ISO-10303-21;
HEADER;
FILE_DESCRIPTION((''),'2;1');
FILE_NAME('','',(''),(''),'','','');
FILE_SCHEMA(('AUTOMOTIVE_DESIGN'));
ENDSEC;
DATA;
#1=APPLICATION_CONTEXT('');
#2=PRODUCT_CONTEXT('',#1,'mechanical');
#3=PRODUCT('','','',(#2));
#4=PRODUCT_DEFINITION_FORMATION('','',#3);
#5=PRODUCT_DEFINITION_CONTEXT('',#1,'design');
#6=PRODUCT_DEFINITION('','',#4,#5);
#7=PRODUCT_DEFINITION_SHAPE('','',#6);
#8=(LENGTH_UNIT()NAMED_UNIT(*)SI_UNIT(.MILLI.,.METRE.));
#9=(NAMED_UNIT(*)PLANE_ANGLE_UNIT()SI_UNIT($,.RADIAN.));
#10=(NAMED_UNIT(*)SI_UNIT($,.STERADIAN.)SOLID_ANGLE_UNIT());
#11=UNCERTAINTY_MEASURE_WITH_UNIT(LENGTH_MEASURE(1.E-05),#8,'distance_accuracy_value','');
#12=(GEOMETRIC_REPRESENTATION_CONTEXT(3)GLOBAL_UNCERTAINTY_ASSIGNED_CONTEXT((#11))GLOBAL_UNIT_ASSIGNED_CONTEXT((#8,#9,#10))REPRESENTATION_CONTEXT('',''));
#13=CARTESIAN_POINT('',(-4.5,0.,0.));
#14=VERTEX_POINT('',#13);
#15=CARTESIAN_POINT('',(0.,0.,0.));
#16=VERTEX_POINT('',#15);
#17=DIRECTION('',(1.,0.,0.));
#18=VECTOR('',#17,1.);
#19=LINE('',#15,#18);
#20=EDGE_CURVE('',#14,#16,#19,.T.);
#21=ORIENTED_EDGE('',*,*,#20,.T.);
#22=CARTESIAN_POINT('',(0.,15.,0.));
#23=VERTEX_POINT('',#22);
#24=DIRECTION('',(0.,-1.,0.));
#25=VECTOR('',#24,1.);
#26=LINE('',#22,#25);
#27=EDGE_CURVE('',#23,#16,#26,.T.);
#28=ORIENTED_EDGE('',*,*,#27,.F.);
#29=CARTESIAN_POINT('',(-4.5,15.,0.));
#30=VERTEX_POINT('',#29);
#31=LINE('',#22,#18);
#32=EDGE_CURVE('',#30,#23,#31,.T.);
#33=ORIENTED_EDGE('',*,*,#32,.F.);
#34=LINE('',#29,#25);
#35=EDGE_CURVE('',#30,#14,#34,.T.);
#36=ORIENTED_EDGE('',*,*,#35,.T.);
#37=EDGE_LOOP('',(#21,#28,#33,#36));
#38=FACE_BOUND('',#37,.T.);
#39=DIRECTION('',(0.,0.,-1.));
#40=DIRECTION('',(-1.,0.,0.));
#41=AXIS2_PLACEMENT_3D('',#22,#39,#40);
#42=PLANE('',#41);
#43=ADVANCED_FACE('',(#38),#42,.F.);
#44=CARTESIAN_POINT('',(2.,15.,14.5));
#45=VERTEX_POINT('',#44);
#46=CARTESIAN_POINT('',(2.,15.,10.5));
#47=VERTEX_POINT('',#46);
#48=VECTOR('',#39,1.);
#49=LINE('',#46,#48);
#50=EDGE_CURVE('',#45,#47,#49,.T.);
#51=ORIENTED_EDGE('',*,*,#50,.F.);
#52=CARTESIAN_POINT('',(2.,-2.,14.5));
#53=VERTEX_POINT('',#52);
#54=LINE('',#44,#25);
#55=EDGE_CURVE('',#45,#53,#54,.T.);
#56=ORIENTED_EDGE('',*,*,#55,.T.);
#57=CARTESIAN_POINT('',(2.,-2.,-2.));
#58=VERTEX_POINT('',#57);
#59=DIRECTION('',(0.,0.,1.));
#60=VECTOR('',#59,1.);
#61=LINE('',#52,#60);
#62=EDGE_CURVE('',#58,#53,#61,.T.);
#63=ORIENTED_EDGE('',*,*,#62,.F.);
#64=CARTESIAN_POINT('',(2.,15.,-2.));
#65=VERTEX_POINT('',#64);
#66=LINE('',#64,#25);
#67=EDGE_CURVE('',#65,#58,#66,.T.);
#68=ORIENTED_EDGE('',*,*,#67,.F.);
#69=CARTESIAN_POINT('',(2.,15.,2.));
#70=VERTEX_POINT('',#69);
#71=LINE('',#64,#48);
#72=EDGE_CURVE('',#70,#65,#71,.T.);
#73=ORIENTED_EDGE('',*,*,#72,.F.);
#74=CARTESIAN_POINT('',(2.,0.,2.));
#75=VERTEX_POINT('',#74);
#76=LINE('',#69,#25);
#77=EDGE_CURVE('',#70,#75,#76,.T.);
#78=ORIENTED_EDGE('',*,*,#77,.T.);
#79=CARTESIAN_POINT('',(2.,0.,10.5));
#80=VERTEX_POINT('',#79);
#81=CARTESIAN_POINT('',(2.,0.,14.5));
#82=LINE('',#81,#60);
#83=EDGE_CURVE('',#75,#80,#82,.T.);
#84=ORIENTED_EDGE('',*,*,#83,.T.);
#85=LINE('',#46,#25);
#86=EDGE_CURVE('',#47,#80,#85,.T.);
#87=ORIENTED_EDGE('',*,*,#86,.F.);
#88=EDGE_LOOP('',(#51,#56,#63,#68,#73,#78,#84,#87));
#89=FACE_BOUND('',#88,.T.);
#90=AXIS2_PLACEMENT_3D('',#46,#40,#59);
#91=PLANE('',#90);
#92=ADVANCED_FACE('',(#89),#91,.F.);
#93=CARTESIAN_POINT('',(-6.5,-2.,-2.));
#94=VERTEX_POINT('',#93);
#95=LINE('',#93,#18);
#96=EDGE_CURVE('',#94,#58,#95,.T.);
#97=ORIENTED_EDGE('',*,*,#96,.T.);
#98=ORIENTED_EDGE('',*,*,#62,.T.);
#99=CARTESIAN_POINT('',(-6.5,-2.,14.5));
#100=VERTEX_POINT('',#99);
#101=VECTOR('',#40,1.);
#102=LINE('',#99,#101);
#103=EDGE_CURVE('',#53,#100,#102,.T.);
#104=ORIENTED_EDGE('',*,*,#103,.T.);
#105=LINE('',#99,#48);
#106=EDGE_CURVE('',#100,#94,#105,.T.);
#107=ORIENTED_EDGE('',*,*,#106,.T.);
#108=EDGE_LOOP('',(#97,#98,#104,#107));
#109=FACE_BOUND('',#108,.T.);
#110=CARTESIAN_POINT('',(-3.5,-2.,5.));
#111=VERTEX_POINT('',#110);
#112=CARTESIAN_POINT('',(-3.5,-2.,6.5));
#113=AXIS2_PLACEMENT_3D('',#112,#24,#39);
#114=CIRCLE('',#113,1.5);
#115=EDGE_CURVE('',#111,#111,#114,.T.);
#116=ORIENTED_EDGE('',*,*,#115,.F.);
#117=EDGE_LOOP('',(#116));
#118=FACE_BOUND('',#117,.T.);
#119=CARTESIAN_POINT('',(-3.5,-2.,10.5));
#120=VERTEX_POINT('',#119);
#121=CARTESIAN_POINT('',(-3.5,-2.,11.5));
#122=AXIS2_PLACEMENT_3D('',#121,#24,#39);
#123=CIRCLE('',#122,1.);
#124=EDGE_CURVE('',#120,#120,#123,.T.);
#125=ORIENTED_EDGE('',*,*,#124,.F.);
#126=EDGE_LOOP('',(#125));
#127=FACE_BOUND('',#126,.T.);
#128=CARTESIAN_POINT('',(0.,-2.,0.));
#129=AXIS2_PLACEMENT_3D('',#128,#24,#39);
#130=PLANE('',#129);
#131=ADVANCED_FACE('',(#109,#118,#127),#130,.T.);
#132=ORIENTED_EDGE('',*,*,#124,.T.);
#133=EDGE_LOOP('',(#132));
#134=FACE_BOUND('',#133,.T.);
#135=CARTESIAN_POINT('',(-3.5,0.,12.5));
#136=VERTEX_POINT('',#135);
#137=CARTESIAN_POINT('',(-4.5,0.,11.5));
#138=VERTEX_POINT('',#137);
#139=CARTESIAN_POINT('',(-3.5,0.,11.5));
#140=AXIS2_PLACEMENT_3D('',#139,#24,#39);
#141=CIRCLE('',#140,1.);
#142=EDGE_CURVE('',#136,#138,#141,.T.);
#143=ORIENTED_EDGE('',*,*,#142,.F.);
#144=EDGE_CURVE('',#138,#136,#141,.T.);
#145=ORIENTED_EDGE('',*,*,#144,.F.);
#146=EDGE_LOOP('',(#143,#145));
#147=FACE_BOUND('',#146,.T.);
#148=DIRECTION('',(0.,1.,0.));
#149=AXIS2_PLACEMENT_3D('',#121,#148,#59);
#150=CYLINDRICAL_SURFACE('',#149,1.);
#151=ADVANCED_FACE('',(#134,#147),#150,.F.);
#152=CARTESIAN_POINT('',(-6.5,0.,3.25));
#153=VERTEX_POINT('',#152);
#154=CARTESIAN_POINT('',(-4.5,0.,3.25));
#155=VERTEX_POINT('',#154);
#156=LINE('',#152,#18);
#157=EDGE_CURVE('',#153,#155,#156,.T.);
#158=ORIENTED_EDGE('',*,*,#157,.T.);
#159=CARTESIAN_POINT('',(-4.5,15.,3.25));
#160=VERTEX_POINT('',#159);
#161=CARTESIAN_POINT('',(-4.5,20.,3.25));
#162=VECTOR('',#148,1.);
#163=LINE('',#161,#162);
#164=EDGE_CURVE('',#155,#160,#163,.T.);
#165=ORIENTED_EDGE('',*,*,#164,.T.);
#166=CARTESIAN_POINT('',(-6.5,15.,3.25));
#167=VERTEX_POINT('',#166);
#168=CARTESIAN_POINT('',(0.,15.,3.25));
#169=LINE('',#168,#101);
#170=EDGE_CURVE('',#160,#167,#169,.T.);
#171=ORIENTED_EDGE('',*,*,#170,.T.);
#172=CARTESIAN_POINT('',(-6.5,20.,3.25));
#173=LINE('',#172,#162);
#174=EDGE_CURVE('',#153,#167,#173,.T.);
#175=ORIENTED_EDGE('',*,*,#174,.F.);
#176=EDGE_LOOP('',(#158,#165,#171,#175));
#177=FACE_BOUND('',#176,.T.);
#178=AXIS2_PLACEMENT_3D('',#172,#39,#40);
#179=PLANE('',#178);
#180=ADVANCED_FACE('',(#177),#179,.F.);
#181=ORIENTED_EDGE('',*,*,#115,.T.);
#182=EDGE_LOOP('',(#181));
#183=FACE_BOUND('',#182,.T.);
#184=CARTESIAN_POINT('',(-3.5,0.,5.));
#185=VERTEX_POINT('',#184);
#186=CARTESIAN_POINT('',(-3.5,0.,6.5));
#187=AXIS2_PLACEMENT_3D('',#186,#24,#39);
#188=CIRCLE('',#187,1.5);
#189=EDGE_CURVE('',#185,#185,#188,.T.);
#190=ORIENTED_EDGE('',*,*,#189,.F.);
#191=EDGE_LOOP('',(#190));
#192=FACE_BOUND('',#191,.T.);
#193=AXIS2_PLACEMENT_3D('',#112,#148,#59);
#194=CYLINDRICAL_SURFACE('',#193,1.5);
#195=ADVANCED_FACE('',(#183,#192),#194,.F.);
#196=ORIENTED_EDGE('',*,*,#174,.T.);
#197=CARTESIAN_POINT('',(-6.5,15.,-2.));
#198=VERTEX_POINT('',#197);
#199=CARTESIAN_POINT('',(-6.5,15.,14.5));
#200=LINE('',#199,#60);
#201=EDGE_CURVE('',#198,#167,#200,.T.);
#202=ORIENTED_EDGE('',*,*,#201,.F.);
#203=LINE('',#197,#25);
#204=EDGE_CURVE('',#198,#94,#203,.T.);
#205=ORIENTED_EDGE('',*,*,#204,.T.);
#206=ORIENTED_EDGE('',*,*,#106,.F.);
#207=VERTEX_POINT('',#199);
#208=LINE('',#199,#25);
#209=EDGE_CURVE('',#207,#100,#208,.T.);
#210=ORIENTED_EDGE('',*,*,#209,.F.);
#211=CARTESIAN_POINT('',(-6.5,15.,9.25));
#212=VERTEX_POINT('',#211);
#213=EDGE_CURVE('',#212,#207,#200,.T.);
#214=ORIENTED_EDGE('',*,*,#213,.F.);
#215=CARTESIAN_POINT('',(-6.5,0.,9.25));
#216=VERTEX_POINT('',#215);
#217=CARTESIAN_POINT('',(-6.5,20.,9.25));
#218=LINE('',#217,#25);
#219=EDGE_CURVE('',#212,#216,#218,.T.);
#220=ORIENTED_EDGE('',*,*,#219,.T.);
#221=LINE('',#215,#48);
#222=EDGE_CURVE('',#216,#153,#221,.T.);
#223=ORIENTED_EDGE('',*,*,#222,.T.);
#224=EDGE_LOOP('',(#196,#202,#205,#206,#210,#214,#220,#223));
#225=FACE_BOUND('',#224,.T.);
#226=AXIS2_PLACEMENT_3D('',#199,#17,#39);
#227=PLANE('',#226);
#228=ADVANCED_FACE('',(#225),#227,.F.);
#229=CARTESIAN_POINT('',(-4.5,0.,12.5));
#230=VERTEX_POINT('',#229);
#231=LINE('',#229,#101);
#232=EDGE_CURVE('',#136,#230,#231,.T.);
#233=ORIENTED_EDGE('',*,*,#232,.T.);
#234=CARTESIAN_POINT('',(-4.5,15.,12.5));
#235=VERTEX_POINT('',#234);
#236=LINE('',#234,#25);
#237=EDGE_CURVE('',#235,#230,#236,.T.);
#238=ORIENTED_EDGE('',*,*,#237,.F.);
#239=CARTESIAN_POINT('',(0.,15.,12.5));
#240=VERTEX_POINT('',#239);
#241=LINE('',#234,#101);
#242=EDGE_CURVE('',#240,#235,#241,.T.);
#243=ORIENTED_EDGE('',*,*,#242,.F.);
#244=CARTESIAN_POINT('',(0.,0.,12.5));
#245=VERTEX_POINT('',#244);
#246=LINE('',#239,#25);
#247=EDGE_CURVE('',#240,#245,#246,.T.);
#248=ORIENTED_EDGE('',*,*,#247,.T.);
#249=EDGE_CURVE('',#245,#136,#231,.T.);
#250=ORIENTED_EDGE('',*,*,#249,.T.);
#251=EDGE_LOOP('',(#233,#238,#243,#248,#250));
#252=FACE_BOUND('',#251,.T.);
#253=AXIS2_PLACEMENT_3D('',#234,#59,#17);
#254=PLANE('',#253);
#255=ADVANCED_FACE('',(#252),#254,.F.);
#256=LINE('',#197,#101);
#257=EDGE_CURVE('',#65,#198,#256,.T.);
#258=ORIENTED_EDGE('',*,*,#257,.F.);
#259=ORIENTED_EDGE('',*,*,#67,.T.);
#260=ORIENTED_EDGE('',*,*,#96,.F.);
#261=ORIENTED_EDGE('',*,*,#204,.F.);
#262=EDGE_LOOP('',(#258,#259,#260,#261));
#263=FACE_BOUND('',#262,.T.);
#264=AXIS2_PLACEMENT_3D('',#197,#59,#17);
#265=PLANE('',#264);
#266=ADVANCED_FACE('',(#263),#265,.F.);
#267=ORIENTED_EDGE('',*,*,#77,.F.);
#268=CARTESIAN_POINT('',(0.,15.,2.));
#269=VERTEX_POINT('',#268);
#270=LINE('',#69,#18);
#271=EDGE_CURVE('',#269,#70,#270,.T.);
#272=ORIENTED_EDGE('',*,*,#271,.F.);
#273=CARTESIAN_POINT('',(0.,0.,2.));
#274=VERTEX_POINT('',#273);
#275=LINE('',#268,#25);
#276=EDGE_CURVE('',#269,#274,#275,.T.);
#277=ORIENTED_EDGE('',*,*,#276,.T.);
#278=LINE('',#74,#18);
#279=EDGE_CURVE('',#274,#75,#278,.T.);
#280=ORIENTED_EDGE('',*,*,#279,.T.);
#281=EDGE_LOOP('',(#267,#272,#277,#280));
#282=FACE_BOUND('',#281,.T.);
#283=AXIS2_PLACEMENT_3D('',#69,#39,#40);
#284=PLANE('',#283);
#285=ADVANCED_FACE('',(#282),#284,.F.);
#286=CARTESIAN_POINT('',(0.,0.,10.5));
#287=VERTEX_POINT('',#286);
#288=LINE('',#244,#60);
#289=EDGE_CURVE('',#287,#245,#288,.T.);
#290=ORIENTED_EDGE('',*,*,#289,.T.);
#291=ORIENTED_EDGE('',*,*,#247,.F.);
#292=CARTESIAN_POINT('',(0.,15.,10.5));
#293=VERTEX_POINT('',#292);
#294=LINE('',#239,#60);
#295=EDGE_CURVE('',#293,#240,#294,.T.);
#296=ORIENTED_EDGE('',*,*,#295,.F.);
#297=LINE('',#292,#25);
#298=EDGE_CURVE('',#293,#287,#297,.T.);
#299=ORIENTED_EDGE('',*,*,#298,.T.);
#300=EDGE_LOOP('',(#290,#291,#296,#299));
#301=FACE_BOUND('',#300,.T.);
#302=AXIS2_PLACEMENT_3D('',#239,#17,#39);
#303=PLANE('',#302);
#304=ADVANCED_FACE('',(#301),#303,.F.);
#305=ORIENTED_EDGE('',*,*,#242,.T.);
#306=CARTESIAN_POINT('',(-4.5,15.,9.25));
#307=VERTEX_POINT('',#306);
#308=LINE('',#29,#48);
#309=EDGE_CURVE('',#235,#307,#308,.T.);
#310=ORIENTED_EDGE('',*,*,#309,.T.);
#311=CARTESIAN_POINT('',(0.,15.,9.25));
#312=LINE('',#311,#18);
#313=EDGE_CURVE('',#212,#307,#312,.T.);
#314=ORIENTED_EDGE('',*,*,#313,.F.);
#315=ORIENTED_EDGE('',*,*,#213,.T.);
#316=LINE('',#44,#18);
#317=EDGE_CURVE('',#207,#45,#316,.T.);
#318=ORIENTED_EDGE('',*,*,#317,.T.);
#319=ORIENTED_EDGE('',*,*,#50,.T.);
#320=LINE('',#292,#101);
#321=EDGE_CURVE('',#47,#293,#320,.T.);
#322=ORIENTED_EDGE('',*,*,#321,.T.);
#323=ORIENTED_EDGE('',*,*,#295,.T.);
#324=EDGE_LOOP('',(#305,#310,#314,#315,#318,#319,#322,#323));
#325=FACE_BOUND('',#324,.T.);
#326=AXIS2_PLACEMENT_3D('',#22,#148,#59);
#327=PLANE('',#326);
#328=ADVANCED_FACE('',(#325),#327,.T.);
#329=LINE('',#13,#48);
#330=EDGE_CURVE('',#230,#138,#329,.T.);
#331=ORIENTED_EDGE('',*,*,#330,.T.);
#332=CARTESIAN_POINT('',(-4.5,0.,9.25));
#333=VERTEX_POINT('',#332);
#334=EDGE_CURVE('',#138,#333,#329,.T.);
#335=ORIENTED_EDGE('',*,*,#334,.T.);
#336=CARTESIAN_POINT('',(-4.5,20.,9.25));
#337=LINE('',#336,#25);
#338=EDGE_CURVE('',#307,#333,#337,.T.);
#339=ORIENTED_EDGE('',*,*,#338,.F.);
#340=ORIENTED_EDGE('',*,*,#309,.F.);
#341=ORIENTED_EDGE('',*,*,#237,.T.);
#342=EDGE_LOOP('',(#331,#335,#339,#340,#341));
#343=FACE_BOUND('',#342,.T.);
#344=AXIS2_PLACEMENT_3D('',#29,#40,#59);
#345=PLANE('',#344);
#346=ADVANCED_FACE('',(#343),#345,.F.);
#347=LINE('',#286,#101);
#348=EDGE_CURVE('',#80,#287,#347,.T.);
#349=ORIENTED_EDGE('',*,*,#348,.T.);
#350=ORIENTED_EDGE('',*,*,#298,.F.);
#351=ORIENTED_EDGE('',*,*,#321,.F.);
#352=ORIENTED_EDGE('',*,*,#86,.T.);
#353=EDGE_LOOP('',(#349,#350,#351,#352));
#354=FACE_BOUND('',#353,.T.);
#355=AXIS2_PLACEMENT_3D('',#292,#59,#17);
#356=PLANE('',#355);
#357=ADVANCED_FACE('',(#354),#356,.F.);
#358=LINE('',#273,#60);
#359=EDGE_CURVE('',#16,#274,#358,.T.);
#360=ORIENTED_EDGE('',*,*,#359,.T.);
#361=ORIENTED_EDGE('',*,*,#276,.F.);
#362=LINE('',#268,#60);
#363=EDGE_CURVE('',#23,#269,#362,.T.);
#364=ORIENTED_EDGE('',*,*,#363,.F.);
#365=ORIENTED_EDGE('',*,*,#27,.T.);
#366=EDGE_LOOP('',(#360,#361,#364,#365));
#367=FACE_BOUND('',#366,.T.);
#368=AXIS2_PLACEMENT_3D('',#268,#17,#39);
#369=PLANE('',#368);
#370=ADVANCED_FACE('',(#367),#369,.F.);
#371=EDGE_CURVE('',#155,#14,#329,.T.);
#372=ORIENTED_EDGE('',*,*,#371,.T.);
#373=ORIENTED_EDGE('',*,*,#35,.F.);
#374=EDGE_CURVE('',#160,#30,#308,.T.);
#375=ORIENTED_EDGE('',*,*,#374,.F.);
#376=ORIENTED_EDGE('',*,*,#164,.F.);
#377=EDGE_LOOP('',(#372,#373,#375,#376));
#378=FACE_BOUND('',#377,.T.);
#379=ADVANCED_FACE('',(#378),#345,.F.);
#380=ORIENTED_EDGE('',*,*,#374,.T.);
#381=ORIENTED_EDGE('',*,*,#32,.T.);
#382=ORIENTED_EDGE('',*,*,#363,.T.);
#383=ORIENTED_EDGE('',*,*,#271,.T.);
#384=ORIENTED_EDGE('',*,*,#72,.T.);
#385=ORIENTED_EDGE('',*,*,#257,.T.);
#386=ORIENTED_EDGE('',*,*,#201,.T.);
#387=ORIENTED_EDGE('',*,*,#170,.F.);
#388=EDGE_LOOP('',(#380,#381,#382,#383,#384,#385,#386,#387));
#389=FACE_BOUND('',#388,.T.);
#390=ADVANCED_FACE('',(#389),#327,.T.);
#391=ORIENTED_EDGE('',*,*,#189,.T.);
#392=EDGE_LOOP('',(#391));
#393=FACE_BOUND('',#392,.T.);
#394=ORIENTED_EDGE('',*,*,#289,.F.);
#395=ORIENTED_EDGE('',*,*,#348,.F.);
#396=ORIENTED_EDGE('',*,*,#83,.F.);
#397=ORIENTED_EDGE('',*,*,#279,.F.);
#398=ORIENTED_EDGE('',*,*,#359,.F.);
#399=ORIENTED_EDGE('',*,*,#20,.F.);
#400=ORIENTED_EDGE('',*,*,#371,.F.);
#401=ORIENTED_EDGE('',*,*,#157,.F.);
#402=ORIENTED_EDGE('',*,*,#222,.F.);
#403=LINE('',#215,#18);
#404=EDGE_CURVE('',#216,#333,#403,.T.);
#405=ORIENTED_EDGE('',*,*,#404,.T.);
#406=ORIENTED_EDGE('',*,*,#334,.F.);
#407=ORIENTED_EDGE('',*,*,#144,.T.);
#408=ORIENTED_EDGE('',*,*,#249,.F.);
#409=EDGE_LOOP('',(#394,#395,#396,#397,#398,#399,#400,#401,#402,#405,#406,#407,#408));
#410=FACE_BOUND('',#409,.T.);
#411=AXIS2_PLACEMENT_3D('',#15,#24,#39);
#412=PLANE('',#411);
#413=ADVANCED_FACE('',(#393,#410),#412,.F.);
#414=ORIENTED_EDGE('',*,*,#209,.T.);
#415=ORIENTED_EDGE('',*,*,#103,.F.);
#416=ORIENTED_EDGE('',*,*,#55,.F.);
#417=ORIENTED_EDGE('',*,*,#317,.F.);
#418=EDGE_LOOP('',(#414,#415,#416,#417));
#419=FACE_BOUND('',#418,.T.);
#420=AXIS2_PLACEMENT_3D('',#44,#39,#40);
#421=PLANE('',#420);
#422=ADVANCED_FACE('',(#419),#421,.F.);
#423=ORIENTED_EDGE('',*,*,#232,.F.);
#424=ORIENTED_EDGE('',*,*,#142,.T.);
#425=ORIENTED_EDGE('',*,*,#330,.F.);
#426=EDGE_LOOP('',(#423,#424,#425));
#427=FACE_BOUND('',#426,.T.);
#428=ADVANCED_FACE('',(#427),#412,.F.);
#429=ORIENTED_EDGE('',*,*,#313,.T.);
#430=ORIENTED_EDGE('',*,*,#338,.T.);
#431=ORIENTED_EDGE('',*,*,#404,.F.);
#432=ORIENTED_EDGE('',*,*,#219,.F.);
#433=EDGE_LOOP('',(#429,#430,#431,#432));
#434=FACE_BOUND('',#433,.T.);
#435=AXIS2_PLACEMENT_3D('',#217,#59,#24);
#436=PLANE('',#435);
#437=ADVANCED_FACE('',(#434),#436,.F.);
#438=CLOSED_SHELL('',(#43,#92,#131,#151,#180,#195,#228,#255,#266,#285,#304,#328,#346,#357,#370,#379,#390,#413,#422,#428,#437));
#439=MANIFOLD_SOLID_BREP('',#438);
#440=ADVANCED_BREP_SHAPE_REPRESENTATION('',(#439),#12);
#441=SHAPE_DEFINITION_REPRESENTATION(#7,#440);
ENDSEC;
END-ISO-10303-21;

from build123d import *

# Parameters (mm, degrees)
BOSS_EXTRUDE1_DEPTH = 15
SKETCH3_W           = 8.5
SKETCH3_H           = 16.5
SKETCH3_R           = 1
SKETCH3_R_2         = 1.5
BOSS_EXTRUDE2_DEPTH = 2
SKETCH4_W           = 6
SKETCH4_H           = 20
CUT_EXTRUDE1_DEPTH  = 2


with BuildPart() as part:
    # Sketch2 → Boss-Extrude1 (new body)
    with BuildSketch(Plane(origin=(0, 0, 0), x_dir=(1, 0, 0), z_dir=(0, 1, 0))):
        Polygon((0, 0), (-4.5, 0), (-4.5, -12.5), (0, -12.5), (0, -10.5), (2, -10.5), (2, -14.5), (-6.5, -14.5), (-6.5, 2), (2, 2), (2, -2), (0, -2), align=None)
    extrude(amount=BOSS_EXTRUDE1_DEPTH)

    # Sketch3 → Boss-Extrude2 (add)
    with BuildSketch(Plane.XZ):
        with Locations((-2.25, 6.25)):
            Rectangle(SKETCH3_W, SKETCH3_H)
        with Locations((-3.5, 11.5)):
            Circle(SKETCH3_R, mode=Mode.SUBTRACT)
        with Locations((-3.5, 6.5)):
            Circle(SKETCH3_R_2, mode=Mode.SUBTRACT)
    extrude(amount=BOSS_EXTRUDE2_DEPTH)

    # Sketch4 → Cut-Extrude1 (cut)
    with BuildSketch(Plane(origin=(-4.5, 0, 0), x_dir=(0, 0, -1), z_dir=(1, 0, 0))):
        with Locations((-6.25, 10)):
            Rectangle(SKETCH4_W, SKETCH4_H)
    extrude(amount=-CUT_EXTRUDE1_DEPTH, mode=Mode.SUBTRACT)


solid = part.part
